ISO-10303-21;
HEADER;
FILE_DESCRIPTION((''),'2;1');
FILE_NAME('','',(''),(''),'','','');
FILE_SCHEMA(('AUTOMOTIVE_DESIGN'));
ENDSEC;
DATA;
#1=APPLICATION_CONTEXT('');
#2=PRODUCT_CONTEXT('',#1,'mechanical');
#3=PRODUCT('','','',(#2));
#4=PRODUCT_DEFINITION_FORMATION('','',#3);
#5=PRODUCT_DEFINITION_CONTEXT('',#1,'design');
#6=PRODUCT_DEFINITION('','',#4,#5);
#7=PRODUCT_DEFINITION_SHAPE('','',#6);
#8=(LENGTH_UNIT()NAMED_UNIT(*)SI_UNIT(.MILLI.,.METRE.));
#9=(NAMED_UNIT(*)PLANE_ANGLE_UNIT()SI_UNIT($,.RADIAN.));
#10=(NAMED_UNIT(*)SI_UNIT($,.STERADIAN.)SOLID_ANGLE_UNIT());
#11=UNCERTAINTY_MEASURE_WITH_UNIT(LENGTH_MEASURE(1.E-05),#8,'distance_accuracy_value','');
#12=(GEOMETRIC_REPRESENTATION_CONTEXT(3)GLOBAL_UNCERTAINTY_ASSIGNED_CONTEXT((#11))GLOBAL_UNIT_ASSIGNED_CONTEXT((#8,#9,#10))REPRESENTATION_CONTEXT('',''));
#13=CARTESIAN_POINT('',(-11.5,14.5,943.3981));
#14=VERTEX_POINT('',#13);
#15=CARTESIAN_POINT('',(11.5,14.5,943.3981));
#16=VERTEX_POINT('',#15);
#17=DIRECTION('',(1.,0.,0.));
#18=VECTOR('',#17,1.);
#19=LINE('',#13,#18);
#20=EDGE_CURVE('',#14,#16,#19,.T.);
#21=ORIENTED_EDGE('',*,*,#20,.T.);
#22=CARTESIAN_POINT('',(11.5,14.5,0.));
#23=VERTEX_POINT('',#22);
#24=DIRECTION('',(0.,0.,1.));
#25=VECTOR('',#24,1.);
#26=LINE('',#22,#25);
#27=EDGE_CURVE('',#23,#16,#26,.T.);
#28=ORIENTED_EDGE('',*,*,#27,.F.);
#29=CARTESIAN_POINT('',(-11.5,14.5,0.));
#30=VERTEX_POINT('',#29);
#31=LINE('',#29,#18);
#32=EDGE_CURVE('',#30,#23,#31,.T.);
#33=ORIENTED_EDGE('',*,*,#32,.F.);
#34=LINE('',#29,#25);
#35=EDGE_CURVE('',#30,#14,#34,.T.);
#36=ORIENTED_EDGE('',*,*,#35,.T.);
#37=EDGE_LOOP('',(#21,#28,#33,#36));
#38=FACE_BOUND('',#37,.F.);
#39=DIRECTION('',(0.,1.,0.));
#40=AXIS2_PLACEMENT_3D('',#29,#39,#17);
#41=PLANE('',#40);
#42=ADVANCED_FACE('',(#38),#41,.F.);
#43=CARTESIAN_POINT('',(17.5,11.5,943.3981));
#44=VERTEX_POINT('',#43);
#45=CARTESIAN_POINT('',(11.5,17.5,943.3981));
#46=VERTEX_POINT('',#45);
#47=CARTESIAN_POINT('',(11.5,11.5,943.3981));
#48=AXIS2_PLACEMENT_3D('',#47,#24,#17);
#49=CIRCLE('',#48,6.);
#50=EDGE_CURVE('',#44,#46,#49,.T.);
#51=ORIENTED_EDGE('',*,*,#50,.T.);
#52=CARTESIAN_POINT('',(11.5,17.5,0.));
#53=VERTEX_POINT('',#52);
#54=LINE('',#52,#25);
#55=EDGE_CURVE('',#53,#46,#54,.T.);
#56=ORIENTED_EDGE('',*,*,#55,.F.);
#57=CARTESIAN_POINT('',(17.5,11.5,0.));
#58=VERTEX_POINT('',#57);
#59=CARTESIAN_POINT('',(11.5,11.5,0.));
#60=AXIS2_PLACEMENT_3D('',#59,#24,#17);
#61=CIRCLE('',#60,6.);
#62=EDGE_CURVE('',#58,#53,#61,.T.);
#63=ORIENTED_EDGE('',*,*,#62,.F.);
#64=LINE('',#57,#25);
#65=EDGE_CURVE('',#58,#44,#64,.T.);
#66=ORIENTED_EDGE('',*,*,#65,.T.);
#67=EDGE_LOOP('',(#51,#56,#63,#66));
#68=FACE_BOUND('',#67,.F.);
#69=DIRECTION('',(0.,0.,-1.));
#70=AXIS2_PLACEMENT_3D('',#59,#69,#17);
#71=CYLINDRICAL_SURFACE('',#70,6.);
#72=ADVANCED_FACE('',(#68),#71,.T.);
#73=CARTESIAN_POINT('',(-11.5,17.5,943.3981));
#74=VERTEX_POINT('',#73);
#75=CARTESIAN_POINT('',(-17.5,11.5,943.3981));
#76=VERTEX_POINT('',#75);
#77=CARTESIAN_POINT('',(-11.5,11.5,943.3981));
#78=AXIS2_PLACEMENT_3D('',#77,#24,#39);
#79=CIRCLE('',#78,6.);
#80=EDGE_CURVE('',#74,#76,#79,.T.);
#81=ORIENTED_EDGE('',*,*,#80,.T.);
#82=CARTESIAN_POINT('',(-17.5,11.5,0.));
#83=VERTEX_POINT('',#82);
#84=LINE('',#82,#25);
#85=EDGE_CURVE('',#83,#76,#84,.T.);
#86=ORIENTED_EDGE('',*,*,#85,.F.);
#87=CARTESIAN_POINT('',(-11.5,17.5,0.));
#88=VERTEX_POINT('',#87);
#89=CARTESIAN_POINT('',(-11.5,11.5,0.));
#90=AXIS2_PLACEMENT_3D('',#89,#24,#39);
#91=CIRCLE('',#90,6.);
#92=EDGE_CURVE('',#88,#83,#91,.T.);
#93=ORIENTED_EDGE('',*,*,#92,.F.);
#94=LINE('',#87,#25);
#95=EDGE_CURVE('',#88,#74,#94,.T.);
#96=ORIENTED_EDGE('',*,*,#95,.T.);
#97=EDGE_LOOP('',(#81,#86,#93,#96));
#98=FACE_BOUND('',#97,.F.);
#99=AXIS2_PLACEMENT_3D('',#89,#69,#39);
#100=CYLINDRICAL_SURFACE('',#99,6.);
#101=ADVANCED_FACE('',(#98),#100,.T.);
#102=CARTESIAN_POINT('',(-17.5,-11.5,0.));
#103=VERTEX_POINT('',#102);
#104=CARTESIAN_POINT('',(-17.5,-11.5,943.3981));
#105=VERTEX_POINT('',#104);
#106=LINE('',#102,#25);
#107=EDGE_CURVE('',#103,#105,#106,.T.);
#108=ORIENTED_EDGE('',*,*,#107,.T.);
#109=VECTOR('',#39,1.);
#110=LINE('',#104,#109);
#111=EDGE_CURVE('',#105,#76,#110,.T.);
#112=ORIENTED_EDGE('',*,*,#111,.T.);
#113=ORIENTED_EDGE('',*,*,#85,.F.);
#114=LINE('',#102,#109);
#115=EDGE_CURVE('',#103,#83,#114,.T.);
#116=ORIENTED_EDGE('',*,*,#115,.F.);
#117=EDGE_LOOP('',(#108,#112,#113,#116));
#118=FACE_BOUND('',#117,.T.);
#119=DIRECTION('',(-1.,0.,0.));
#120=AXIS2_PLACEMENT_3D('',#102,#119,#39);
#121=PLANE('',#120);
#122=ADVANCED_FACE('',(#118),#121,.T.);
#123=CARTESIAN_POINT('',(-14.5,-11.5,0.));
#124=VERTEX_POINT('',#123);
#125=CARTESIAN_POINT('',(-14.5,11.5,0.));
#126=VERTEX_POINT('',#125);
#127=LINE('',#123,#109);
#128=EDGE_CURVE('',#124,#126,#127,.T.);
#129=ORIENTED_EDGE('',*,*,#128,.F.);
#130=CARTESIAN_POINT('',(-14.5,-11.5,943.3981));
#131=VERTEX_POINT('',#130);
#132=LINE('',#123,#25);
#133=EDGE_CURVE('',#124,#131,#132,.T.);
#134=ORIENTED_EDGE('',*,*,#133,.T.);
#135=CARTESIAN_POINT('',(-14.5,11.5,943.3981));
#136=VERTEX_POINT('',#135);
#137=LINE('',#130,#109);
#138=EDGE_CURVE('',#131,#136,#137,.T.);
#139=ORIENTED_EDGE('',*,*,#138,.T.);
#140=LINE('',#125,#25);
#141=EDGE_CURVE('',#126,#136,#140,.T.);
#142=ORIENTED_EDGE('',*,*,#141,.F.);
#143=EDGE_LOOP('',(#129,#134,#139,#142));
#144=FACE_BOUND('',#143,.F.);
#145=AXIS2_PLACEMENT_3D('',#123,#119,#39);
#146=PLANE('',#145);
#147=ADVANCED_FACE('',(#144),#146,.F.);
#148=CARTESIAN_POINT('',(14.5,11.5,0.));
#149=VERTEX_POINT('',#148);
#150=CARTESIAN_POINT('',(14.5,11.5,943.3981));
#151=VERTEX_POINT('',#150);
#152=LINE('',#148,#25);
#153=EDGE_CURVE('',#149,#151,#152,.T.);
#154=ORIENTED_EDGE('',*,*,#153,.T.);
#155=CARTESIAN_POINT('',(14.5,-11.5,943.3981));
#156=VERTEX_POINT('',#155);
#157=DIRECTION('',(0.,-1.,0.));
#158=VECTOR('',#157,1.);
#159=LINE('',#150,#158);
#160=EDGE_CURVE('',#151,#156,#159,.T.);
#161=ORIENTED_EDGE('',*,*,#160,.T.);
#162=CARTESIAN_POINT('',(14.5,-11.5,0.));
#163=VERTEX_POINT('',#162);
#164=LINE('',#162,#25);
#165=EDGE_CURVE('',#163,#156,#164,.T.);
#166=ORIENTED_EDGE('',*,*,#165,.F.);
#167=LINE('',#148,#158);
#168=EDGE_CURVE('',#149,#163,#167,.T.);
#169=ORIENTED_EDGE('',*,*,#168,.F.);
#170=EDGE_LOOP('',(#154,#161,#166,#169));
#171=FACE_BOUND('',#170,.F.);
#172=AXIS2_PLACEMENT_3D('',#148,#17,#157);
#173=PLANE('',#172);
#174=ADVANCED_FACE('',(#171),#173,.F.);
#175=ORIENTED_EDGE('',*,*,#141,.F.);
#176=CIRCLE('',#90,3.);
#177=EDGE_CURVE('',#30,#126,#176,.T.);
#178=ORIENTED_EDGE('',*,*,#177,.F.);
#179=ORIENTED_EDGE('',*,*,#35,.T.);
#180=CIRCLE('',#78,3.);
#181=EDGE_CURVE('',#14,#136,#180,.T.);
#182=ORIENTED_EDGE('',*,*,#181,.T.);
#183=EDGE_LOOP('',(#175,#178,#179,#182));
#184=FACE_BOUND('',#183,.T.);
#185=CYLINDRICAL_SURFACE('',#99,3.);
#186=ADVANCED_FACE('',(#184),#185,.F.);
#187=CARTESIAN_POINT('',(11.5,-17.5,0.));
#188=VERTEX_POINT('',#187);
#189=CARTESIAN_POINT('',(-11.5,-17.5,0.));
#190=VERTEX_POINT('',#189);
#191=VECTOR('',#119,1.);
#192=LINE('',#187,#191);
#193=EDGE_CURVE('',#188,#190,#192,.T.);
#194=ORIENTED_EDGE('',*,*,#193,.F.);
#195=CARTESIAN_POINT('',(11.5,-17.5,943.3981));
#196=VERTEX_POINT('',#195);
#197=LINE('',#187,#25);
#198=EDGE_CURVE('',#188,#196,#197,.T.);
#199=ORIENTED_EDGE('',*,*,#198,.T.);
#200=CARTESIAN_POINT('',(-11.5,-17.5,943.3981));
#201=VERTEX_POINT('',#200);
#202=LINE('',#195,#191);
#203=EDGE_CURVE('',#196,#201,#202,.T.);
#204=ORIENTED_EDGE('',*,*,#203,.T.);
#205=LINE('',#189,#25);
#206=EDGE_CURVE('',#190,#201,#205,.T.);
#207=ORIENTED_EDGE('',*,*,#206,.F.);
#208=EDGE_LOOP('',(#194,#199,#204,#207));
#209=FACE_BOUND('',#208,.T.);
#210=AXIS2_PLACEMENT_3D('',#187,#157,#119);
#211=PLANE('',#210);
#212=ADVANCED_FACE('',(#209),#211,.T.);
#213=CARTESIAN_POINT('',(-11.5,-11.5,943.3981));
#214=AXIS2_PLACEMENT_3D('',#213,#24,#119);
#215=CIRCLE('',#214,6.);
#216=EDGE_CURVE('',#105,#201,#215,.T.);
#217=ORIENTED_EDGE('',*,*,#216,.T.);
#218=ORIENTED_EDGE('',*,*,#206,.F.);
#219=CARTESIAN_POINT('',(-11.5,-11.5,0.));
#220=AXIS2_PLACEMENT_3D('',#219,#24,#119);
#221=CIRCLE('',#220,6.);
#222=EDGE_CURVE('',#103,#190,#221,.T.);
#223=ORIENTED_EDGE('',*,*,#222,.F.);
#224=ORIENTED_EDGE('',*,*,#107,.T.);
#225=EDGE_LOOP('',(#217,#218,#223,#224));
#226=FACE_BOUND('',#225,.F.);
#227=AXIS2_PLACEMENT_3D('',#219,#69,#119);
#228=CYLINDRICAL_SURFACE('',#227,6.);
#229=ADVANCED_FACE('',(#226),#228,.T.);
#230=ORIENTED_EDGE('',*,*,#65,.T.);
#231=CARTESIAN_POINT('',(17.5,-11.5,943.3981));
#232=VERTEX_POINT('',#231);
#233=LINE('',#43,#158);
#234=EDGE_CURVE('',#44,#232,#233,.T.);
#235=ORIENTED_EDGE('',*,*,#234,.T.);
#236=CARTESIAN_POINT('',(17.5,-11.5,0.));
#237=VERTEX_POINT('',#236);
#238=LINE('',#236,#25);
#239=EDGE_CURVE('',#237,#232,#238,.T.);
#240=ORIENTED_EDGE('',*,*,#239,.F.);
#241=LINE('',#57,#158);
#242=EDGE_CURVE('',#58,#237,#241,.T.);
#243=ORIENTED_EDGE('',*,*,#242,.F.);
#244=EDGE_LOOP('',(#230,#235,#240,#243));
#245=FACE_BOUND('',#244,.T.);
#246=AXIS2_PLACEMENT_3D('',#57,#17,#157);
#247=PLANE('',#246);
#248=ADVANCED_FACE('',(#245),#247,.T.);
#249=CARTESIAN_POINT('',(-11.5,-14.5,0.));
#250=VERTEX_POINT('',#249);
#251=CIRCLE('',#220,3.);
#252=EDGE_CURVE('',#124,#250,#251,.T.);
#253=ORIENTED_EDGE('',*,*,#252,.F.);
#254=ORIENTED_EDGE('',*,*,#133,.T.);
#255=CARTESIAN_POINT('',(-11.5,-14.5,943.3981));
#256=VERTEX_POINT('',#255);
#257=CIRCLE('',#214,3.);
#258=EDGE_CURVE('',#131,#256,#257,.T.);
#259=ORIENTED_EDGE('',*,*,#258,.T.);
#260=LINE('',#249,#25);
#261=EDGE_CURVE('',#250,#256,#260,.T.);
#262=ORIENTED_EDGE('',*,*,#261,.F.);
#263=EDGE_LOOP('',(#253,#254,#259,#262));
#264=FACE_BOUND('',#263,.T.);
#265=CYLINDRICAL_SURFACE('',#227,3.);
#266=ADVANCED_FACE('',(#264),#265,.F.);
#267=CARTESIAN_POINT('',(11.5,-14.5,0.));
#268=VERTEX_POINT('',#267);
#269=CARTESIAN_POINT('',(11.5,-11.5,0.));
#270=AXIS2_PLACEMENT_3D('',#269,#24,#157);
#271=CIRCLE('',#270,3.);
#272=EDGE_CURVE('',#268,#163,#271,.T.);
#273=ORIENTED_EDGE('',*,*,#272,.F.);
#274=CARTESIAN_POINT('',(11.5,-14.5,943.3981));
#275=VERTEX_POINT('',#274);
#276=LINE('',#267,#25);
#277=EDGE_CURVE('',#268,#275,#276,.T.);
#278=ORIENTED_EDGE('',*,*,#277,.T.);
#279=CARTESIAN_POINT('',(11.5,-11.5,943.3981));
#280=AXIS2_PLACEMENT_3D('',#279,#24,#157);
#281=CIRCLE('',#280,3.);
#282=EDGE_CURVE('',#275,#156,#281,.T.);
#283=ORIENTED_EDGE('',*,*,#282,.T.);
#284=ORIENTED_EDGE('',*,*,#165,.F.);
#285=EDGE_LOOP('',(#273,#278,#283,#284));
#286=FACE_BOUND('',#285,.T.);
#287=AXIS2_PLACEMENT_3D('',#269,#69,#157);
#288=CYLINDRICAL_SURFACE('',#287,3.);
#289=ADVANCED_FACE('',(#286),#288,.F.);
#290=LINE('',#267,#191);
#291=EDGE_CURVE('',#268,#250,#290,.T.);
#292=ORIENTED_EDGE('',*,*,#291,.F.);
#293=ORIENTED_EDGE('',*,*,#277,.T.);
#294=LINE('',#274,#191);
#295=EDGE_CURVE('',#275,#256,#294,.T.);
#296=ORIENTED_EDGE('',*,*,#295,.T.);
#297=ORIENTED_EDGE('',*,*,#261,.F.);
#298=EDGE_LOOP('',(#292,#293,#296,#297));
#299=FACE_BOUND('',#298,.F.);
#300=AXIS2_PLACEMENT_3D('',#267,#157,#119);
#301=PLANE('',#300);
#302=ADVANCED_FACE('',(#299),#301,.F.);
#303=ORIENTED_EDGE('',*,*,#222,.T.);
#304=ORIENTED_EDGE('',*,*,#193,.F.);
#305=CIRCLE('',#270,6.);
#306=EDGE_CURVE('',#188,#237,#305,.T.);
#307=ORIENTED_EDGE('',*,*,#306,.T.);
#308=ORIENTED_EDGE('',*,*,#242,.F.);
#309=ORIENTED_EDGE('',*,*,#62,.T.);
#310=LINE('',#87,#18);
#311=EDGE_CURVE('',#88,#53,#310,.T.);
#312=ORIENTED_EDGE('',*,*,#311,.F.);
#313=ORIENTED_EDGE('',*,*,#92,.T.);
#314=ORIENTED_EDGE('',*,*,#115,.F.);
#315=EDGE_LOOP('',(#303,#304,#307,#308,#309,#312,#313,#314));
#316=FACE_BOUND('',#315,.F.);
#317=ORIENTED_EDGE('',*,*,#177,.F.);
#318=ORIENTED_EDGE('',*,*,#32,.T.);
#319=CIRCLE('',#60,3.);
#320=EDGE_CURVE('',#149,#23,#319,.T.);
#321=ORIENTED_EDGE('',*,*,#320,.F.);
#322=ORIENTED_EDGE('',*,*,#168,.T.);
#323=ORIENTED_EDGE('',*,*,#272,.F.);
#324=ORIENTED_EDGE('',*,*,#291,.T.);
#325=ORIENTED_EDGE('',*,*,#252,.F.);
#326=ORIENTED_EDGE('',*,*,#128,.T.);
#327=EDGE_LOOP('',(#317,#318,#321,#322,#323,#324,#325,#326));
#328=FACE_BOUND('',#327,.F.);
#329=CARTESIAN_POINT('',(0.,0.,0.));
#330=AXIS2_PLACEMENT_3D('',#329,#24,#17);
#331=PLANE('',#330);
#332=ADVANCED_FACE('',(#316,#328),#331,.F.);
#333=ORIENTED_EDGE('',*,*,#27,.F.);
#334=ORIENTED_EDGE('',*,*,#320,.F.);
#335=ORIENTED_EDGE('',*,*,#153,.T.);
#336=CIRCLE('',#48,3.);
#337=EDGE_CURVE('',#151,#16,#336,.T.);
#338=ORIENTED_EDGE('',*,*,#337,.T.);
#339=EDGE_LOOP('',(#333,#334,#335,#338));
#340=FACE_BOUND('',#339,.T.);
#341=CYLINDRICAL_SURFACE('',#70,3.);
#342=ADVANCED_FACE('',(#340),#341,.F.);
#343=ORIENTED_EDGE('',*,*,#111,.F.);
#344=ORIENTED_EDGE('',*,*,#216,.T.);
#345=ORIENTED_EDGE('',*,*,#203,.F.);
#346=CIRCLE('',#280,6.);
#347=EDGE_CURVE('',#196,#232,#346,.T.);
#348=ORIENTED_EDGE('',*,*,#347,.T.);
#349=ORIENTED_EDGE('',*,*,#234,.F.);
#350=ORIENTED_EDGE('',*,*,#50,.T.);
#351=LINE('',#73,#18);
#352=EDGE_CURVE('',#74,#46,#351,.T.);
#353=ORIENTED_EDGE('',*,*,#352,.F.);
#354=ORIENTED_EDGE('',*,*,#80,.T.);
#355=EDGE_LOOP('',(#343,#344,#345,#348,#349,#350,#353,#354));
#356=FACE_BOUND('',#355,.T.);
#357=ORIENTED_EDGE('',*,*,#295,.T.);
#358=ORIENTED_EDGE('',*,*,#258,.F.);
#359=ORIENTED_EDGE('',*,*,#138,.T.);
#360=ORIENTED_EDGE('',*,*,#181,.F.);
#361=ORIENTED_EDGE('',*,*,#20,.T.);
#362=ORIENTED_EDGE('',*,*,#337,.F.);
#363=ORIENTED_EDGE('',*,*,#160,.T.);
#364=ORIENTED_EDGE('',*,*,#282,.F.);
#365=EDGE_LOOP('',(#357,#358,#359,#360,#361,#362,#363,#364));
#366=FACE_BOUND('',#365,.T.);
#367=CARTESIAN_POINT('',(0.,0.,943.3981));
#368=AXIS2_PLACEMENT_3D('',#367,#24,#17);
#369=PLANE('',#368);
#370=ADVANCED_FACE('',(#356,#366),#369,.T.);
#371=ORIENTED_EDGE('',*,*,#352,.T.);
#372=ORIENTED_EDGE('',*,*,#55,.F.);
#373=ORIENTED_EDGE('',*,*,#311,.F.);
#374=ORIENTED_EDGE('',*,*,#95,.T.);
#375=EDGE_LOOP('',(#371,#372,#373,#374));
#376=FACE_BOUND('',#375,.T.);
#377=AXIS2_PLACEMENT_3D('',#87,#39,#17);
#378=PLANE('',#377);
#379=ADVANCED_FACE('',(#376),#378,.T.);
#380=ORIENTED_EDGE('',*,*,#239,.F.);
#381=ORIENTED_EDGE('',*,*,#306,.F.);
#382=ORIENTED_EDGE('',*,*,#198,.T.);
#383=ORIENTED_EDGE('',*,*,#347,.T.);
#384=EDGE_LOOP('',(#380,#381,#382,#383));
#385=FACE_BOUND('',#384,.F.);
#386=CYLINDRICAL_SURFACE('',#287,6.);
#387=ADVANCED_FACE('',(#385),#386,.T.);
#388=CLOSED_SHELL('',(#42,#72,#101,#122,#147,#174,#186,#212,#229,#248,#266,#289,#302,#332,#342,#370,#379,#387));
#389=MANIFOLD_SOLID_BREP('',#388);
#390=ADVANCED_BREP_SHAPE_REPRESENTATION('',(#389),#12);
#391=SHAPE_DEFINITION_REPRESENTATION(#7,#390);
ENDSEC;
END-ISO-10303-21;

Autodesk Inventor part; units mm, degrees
ref_plane "YZ Plane" through (0, 0, 0) normal (1, 0, 0) x (0, 1, 0)
ref_plane "Start plane" through (0, 0, 0) normal (0, 0, 1) x (1, 0, 0)
ref_plane "End plane" through (0, 0, 943.3981) normal (0, 0, 1) x (1, 0, 0)
sketch "Sketch" plane through (0, 0, 0) normal (0, 0, 1) x (1, 0, 0)
  line L0 (-17.5, -11.5) -> (-17.5, 11.5)
  line L1 (-11.5, 17.5) -> (11.5, 17.5)
  line L2 (17.5, 11.5) -> (17.5, -11.5)
  line L3 (11.5, -17.5) -> (-11.5, -17.5)
  arc A0 (-17.5, -11.5) -> (-11.5, -17.5) centre (-11.5, -11.5) ccw
  arc A1 (-11.5, 17.5) -> (-17.5, 11.5) centre (-11.5, 11.5) ccw
  arc A2 (17.5, 11.5) -> (11.5, 17.5) centre (11.5, 11.5) ccw
  arc A3 (11.5, -17.5) -> (17.5, -11.5) centre (11.5, -11.5) ccw
  arc A4 (-11.5, 14.5) -> (-14.5, 11.5) centre (-11.5, 11.5) ccw
  line L4 (-11.5, 14.5) -> (11.5, 14.5)
  arc A5 (14.5, 11.5) -> (11.5, 14.5) centre (11.5, 11.5) ccw
  line L5 (14.5, 11.5) -> (14.5, -11.5)
  arc A6 (11.5, -14.5) -> (14.5, -11.5) centre (11.5, -11.5) ccw
  line L6 (11.5, -14.5) -> (-11.5, -14.5)
  arc A7 (-14.5, -11.5) -> (-11.5, -14.5) centre (-11.5, -11.5) ccw
  line L7 (-14.5, -11.5) -> (-14.5, 11.5)
  line L8 (0, 19.2397) -> (0, -19.2397) construction
  line L9 (-19.2397, 0) -> (19.2397, 0) construction
  dimension "d7" = 6
  dimension "d10" = 35
  dimension "d11" = 35
  dimension "d12" = 3
  dimension "d15" = 17.5
  dimension "d16" = 17.5
extrude "Body" add sketch "Sketch" along normal up to surface (943.3981 mm away) from surface at 0
sketch "Sketch3" plane through (0, 0, 0) normal (0, 0, 1) x (1, 0, 0)
  line L0 (0, 0) -> (10, 0)
ref_plane "Work Plane3" through (0, 0, 0) normal (0, -1, 0) x (1, 0, 0)
sketch "Sketch4" plane through (0, 0, 0) normal (0, -1, 0) x (1, 0, 0)
  line L0 (-2, 0) -> (12, 0)
  line L1 (-2, 943.3981) -> (12, 943.3981)
  dimension "d18" = 943.3981
equation "\"d7\" = G_IR"
equation "\"d10\" = G_H"
equation "\"d11\" = G_W"
equation "\"d12\" = G_T"
equation "\"d15\" = 0.5 * d10"
equation "\"d16\" = 0.5 * d11"
equation "\"d3\" = G_L"
equation "\"G_W\" = 35"
equation "\"G_H\" = 35"
equation "\"G_T\" = 3"
equation "\"G_IR\" = 6"
equation "\"G_L\" = d18"
equation "\"G_OFFSET_START\" = 0"
equation "\"G_OFFSET_END\" = 0"
equation "\"d14\" = G_OFFSET_END + B_L"
equation "\"B_L\" = 943.39811"
properties part number "AS 1163 - C350L0 35x35x3.0 SHS - 943.398" material "Steel, Mild"
